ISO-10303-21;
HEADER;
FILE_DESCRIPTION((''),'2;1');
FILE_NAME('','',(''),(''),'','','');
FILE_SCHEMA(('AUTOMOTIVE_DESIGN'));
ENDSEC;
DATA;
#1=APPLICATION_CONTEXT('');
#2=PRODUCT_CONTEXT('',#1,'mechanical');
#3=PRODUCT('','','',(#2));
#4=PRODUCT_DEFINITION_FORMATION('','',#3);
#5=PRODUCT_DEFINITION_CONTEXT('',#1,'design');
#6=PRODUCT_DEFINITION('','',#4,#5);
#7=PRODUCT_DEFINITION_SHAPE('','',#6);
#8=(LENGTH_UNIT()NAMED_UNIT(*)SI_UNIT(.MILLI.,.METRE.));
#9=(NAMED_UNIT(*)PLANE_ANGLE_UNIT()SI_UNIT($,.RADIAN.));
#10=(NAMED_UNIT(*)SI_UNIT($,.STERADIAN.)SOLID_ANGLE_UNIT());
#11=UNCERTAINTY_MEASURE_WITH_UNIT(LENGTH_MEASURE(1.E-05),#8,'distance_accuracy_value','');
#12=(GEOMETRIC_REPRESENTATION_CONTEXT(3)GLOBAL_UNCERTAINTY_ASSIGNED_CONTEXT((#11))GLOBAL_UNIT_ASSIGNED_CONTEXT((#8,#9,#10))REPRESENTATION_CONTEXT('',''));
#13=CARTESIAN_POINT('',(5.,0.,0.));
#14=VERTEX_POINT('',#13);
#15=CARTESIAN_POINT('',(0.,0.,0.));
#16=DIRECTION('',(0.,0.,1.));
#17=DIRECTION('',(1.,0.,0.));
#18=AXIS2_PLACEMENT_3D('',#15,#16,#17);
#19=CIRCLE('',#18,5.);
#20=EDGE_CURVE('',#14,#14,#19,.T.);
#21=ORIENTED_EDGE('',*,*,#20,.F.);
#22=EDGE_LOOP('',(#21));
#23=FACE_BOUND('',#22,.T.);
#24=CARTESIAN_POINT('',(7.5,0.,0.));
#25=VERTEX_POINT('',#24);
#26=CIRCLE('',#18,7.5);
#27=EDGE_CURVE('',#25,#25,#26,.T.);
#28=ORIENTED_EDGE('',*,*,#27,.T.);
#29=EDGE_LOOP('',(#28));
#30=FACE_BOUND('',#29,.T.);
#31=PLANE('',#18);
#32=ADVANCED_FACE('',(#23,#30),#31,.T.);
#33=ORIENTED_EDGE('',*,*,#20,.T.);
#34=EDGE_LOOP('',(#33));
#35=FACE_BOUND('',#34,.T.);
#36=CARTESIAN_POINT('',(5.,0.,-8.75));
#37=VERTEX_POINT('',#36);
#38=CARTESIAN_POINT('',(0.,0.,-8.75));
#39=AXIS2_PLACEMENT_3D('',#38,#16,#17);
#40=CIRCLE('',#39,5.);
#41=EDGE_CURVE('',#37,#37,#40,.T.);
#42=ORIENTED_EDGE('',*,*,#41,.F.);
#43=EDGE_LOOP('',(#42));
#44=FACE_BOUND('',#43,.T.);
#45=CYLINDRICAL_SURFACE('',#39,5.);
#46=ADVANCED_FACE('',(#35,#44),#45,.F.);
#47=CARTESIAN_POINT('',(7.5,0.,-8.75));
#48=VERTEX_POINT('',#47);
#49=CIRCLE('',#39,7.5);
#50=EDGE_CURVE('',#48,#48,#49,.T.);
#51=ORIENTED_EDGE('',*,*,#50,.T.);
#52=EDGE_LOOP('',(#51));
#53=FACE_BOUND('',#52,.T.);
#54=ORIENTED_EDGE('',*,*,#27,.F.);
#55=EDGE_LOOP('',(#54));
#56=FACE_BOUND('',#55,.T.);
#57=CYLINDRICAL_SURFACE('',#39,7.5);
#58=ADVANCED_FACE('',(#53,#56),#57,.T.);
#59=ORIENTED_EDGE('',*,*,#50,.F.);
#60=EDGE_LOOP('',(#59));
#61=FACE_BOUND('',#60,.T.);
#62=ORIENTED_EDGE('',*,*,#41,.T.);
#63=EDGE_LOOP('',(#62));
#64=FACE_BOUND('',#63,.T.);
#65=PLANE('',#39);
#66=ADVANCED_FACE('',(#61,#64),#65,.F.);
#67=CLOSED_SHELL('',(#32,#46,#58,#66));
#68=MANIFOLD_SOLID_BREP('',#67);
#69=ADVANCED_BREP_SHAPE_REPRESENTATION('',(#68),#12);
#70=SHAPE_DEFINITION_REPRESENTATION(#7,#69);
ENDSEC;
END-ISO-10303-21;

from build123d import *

# Parameters (mm, degrees)
SKETCH1_R           = 15
SKETCH1_R_2         = 10
BOSS_EXTRUDE1_DEPTH = 17.5
SCALE1_SCALE        = 0.5


with BuildPart() as part:
    # Sketch1 → Boss-Extrude1 (new body)
    with BuildSketch(Plane.XY):
        Circle(SKETCH1_R)
        Circle(SKETCH1_R_2, mode=Mode.SUBTRACT)
    extrude(amount=-BOSS_EXTRUDE1_DEPTH)


with BuildPart() as part_1:
    # Scale1: scaled about (0, 0, 0)
    add(part.part.scale(SCALE1_SCALE))


solid = part_1.part
